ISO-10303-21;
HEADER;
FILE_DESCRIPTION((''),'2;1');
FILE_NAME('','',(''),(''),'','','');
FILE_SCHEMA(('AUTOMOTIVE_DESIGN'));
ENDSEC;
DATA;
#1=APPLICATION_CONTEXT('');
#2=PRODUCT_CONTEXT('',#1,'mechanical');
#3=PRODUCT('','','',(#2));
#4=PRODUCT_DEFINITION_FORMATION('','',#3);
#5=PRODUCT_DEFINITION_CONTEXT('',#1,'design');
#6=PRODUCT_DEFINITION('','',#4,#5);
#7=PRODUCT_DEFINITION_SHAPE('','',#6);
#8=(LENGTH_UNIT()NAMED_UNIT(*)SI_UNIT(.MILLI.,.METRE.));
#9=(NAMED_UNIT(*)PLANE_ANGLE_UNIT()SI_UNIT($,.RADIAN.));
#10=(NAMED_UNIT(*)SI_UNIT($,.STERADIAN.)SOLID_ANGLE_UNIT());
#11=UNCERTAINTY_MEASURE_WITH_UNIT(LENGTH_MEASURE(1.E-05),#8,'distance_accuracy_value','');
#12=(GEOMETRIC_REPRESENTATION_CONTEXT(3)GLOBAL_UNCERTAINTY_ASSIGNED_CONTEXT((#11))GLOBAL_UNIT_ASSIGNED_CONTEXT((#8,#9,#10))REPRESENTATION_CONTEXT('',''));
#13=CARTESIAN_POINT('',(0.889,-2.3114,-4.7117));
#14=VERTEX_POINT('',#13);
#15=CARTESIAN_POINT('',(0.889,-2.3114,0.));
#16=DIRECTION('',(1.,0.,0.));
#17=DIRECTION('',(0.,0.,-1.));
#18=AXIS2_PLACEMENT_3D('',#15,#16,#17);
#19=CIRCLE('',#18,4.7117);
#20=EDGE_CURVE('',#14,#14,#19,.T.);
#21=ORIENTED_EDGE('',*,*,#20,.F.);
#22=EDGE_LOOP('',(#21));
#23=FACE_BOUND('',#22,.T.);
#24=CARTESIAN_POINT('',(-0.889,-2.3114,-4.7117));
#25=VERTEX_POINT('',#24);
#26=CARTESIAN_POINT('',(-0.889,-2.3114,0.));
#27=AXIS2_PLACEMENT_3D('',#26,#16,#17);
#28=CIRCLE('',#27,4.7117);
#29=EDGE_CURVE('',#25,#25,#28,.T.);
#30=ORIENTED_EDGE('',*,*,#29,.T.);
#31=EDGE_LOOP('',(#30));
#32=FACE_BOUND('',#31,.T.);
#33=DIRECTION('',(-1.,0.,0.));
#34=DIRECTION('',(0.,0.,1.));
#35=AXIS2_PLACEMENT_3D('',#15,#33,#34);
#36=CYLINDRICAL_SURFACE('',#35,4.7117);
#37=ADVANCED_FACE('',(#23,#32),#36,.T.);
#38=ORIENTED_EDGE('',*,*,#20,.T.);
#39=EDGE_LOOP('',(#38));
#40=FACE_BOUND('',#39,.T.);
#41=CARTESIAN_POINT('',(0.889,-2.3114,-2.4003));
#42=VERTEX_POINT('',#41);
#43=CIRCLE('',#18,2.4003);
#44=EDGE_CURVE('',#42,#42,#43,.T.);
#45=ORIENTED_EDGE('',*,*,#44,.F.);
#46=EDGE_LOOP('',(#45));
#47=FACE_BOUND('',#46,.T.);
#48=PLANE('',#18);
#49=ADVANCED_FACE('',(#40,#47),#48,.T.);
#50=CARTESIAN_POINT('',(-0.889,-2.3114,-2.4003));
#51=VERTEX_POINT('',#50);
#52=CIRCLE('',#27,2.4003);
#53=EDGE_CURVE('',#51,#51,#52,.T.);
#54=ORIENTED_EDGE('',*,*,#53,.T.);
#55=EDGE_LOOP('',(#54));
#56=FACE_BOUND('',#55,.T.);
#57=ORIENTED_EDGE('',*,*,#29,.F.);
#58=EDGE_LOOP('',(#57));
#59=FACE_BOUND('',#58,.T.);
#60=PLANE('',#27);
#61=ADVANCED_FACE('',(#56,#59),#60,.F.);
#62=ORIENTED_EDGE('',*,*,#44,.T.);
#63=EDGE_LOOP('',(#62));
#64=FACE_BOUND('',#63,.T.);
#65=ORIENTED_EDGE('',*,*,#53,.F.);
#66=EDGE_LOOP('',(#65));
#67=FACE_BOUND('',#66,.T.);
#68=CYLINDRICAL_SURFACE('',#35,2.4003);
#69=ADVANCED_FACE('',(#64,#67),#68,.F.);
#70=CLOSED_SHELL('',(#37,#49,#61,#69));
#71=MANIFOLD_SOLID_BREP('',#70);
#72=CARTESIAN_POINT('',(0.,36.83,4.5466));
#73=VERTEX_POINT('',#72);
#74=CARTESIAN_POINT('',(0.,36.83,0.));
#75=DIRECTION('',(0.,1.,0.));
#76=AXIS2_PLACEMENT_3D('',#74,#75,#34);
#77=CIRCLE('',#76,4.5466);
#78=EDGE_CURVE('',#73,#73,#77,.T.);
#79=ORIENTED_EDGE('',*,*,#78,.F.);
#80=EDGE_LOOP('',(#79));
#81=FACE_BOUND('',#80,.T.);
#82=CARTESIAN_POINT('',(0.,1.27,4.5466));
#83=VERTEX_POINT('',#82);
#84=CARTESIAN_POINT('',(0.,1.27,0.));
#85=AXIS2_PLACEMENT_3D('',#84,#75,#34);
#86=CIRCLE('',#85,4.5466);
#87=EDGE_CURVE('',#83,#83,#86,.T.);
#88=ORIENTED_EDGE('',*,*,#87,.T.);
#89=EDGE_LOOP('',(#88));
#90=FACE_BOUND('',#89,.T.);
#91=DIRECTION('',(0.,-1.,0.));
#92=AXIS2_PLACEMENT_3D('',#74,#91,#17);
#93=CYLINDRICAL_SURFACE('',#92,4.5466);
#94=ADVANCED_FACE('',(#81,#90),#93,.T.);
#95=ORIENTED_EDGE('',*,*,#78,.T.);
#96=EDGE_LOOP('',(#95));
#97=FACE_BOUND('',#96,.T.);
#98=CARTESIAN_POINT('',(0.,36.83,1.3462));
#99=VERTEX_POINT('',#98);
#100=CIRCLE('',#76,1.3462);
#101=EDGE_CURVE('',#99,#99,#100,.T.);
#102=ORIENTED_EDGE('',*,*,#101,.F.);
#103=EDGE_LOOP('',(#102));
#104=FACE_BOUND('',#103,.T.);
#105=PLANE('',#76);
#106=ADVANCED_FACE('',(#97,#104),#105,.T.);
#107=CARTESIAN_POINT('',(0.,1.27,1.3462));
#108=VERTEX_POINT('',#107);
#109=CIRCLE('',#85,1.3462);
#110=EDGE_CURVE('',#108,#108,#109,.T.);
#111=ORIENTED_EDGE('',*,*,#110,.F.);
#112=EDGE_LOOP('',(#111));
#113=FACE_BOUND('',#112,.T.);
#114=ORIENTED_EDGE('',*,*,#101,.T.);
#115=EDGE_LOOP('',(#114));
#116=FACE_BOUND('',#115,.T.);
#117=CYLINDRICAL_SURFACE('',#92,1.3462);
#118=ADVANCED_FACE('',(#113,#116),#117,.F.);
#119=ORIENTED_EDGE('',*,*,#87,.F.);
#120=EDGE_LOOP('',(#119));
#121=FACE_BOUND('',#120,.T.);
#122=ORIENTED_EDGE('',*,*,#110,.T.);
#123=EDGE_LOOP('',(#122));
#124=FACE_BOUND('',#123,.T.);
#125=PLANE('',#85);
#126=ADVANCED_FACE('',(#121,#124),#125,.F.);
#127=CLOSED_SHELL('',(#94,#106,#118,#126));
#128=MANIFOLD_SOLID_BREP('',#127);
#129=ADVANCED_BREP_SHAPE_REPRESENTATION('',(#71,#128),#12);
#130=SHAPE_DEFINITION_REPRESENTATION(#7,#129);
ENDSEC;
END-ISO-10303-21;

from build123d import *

# Parameters (mm, degrees)
EXTRUDE1_START = 1.27
SKETCH1_R      = 4.5466
SKETCH1_R_2    = 1.3462
EXTRUDE1_DEPTH = 35.56
SKETCH4_R      = 4.7117
SKETCH4_R_2    = 2.4003
EXTRUDE2_DEPTH = 0.889


with BuildPart() as part:
    # Sketch1 → Extrude1 (new body)
    with BuildSketch(Plane(origin=(0, 0, 0), x_dir=(1, 0, 0), z_dir=(0, 1, 0)).offset(EXTRUDE1_START)):
        with Locations(Location((0, 0, 0), (0, 0, 270))):
            Circle(SKETCH1_R)
        with Locations(Location((0, 0, 0), (0, 0, 270))):
            Circle(SKETCH1_R_2, mode=Mode.SUBTRACT)
    extrude(amount=EXTRUDE1_DEPTH)


with BuildPart() as body_2:
    # Sketch4 → Extrude2 (new, symmetric)
    with BuildSketch(Plane(origin=(0, 0, 0), x_dir=(0, 0, -1), z_dir=(1, 0, 0))):
        with Locations((0, -2.3114)):
            Circle(SKETCH4_R)
        with Locations((0, -2.3114)):
            Circle(SKETCH4_R_2, mode=Mode.SUBTRACT)
    extrude(amount=EXTRUDE2_DEPTH, both=True)


solid = Compound([part.part, body_2.part])
